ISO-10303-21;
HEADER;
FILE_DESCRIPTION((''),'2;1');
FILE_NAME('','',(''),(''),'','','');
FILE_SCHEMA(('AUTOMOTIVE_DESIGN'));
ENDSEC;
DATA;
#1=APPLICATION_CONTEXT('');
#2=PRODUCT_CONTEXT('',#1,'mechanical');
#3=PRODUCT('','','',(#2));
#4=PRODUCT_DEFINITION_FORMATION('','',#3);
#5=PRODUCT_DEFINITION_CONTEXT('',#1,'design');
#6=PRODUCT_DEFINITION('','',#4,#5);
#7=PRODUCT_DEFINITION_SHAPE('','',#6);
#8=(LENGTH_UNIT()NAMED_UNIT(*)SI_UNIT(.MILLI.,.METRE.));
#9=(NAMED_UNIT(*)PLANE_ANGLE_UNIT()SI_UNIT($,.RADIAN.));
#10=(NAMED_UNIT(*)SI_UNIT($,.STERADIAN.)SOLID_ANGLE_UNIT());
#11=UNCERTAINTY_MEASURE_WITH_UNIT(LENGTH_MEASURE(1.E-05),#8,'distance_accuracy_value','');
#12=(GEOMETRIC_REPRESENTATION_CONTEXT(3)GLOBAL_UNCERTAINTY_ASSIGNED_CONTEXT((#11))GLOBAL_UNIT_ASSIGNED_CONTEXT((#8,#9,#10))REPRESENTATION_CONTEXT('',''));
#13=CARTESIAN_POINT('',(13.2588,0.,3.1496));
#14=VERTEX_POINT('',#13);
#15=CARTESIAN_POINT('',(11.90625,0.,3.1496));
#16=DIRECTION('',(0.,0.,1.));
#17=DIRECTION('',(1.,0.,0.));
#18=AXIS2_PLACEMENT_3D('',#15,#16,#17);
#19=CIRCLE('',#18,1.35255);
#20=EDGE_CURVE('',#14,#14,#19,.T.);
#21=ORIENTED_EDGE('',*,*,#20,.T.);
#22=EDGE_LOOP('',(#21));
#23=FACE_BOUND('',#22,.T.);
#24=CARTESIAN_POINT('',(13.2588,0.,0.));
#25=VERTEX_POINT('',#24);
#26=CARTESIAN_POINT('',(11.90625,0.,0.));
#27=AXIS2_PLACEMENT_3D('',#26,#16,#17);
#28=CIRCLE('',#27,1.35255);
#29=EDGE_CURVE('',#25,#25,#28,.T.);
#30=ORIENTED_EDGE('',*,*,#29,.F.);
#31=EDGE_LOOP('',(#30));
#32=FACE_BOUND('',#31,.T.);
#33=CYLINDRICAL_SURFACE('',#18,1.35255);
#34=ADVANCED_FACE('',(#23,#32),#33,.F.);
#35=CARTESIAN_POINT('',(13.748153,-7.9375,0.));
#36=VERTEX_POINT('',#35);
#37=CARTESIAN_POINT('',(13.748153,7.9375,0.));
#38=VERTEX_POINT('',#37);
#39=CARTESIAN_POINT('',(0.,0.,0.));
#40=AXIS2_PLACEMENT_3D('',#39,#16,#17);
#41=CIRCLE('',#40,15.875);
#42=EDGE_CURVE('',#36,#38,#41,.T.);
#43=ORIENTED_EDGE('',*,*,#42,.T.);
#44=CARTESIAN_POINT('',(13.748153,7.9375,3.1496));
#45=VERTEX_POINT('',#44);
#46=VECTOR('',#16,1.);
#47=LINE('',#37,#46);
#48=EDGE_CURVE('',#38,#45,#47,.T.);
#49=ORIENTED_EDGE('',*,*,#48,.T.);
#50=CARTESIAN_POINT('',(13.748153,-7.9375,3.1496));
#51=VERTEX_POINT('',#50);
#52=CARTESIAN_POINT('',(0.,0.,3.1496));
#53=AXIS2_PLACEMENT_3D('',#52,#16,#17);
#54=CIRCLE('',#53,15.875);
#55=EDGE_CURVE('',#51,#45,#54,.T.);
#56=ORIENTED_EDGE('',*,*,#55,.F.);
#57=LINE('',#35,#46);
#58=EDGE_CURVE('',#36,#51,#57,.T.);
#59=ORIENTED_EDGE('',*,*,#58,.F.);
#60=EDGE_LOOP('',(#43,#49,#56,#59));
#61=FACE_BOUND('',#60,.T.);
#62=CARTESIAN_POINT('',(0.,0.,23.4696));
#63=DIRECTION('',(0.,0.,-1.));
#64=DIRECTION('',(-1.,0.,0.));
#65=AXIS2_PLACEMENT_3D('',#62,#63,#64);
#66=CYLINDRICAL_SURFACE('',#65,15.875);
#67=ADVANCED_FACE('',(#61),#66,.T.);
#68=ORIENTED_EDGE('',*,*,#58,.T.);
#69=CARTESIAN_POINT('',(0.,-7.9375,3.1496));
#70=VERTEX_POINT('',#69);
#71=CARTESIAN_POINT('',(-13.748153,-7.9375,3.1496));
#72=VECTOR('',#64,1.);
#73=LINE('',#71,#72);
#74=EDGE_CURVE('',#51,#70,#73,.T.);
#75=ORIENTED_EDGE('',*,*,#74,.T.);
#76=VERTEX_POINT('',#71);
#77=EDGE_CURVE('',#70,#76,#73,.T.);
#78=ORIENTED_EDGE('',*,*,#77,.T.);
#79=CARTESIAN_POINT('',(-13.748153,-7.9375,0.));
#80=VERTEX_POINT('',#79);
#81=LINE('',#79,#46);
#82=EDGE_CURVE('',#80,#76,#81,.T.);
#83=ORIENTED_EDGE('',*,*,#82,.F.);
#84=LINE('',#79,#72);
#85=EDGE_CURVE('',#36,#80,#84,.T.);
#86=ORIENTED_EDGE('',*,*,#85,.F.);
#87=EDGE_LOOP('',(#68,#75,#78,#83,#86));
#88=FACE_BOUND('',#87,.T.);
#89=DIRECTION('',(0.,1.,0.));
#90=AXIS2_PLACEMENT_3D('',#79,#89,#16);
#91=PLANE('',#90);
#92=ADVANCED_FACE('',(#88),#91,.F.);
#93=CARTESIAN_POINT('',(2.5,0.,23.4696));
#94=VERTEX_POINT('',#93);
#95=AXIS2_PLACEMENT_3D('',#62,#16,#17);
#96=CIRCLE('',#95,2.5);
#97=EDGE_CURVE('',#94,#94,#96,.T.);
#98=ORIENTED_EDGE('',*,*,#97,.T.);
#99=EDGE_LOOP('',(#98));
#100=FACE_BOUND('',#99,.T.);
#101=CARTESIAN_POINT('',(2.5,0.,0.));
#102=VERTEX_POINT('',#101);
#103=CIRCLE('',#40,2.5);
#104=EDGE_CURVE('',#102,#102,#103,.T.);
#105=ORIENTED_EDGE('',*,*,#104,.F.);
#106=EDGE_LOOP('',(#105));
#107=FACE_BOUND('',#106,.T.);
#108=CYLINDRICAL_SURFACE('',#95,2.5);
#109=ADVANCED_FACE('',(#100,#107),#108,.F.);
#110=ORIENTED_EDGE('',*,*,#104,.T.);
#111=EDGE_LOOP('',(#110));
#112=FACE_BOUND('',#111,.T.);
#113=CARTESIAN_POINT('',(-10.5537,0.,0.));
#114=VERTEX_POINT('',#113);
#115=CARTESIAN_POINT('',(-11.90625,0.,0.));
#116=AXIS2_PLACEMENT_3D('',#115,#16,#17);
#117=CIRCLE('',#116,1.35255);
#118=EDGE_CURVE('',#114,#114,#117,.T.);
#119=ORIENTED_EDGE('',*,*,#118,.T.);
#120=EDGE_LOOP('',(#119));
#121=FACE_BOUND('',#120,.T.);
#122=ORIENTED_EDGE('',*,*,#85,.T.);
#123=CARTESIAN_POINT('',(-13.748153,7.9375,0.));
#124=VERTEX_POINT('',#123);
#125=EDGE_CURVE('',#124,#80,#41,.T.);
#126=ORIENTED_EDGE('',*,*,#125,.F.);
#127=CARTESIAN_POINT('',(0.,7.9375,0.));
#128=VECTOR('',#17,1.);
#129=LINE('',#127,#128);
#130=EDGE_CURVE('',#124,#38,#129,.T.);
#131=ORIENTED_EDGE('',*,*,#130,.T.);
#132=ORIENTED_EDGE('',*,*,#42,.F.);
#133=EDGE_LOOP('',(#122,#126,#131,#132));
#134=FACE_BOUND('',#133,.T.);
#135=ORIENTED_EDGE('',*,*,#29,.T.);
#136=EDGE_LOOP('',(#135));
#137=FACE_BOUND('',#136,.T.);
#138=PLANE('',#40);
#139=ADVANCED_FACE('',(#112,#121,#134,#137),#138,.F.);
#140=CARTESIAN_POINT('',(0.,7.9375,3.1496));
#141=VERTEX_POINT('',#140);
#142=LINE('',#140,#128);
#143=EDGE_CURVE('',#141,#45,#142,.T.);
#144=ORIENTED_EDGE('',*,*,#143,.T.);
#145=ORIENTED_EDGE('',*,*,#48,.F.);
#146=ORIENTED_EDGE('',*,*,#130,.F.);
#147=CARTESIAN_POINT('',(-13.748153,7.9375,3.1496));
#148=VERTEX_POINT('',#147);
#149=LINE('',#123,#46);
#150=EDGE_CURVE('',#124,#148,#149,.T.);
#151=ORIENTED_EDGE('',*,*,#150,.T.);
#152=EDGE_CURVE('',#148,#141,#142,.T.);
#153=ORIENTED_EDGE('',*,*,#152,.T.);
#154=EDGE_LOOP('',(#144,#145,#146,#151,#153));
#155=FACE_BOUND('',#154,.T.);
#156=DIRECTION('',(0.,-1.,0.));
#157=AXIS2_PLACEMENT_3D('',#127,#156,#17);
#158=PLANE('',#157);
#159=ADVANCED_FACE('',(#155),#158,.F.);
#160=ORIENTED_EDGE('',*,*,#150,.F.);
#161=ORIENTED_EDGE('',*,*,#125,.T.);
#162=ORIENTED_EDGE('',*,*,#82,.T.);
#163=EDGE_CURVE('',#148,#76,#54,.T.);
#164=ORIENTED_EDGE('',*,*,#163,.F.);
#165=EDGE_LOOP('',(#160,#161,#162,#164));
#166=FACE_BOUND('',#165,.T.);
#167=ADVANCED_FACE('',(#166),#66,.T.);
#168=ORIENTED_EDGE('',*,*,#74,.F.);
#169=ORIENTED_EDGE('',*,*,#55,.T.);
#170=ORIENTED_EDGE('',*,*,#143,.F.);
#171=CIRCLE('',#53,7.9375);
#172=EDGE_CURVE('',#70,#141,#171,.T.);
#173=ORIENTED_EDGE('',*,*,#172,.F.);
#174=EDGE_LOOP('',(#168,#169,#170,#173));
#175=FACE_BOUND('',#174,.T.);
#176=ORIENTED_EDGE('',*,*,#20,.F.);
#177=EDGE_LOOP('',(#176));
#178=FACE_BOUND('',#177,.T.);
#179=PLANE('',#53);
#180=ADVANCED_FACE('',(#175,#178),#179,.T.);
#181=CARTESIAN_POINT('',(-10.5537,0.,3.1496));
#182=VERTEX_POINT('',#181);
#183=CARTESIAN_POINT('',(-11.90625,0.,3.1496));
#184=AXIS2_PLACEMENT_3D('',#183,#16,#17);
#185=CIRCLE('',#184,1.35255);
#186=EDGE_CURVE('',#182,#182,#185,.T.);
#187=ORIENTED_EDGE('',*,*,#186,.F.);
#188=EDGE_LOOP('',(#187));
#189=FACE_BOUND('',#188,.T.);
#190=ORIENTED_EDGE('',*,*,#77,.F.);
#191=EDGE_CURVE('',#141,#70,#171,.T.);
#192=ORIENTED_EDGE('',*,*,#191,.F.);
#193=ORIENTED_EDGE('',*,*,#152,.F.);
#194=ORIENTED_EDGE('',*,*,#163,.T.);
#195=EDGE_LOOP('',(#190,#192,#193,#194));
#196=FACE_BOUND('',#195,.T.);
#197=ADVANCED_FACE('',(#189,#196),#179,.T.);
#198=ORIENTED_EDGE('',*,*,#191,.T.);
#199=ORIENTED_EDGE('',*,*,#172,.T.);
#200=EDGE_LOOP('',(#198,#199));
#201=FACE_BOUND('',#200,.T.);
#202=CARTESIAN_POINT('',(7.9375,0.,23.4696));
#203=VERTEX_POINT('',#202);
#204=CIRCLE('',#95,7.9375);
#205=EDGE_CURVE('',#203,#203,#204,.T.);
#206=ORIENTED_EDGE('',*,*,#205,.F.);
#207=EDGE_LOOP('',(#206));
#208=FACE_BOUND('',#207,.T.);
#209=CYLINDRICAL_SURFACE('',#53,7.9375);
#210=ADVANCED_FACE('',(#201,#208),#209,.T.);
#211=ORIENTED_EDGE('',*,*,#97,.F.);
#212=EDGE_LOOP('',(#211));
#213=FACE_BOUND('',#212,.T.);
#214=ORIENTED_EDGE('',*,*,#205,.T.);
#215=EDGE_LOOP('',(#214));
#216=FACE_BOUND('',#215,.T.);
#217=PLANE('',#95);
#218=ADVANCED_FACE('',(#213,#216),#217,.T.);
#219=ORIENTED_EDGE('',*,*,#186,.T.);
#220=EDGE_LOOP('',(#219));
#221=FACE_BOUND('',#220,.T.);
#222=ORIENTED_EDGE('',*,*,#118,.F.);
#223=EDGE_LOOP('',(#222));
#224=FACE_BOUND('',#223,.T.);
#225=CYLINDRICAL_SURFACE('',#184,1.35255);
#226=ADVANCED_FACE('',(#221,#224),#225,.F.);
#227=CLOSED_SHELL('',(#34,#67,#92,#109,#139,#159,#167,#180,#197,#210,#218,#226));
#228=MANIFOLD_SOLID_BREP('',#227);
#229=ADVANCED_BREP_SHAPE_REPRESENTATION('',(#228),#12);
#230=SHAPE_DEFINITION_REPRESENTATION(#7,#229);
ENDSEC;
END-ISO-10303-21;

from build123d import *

# Parameters (mm, degrees)
SKETCH1_R                        = 15.875
BOSS_EXTRUDE1_DEPTH              = 23.4696
CUT_EXTRUDE1_START               = -20.32
SKETCH2_R                        = 15.875
SKETCH2_R_2                      = 7.9375
CUT_EXTRUDE1_DEPTH               = 20.32
M6X1_0_TAPPED_HOLE1_D            = 5
F_36_0_1065_DIAMETER_HOLE2_D     = 2.7051
F_36_0_1065_DIAMETER_HOLE2_DEPTH = 6.35
F_36_0_1065_DIAMETER_HOLE2_TIP   = 0.81269403
CUT_EXTRUDE2_DEPTH               = 31.280912305


with BuildPart() as part:
    # Sketch1 → Boss-Extrude1 (new body)
    with BuildSketch(Plane.XY):
        Circle(SKETCH1_R)
    extrude(amount=BOSS_EXTRUDE1_DEPTH)

    # Sketch2 → Cut-Extrude1 (cut)
    with BuildSketch(Plane.XY.offset(23.4696).offset(CUT_EXTRUDE1_START)):
        Circle(SKETCH2_R)
        Circle(SKETCH2_R_2, mode=Mode.SUBTRACT)
    extrude(amount=CUT_EXTRUDE1_DEPTH, mode=Mode.SUBTRACT)

    # M6x1.0 Tapped Hole1 (through all)
    with Locations(Plane.XY.offset(23.4696)):
        with Locations((0, 0)):
            Hole(M6X1_0_TAPPED_HOLE1_D / 2)

    # #36 (0.1065) Diameter Hole2
    with Locations(Plane.XY.offset(3.1496)):
        with Locations((11.90625, 0), (-11.90625, 0)):
            Hole(F_36_0_1065_DIAMETER_HOLE2_D / 2, depth=F_36_0_1065_DIAMETER_HOLE2_DEPTH)
            with Locations((0, 0, -(F_36_0_1065_DIAMETER_HOLE2_DEPTH + F_36_0_1065_DIAMETER_HOLE2_TIP / 2))):  # 118° drill point
                Cone(0, F_36_0_1065_DIAMETER_HOLE2_D / 2, F_36_0_1065_DIAMETER_HOLE2_TIP, mode=Mode.SUBTRACT)

    # Sketch8 → Cut-Extrude2 (cut, through all)
    with BuildSketch(Plane.XY.offset(3.1496)):
        with BuildLine():
            Line((0, 7.9375), (-13.748153285, 7.9375))
            ThreePointArc((-13.748153285, 7.9375), (0, 15.875), (13.748153285, 7.9375))
            Line((13.748153285, 7.9375), (0, 7.9375))
        make_face()
        with BuildLine():
            Line((-13.748153285, -7.9375), (13.748153285, -7.9375))
            ThreePointArc((13.748153285, -7.9375), (0, -15.875), (-13.748153285, -7.9375))
        make_face()
    extrude(amount=-CUT_EXTRUDE2_DEPTH, mode=Mode.SUBTRACT)


solid = part.part
